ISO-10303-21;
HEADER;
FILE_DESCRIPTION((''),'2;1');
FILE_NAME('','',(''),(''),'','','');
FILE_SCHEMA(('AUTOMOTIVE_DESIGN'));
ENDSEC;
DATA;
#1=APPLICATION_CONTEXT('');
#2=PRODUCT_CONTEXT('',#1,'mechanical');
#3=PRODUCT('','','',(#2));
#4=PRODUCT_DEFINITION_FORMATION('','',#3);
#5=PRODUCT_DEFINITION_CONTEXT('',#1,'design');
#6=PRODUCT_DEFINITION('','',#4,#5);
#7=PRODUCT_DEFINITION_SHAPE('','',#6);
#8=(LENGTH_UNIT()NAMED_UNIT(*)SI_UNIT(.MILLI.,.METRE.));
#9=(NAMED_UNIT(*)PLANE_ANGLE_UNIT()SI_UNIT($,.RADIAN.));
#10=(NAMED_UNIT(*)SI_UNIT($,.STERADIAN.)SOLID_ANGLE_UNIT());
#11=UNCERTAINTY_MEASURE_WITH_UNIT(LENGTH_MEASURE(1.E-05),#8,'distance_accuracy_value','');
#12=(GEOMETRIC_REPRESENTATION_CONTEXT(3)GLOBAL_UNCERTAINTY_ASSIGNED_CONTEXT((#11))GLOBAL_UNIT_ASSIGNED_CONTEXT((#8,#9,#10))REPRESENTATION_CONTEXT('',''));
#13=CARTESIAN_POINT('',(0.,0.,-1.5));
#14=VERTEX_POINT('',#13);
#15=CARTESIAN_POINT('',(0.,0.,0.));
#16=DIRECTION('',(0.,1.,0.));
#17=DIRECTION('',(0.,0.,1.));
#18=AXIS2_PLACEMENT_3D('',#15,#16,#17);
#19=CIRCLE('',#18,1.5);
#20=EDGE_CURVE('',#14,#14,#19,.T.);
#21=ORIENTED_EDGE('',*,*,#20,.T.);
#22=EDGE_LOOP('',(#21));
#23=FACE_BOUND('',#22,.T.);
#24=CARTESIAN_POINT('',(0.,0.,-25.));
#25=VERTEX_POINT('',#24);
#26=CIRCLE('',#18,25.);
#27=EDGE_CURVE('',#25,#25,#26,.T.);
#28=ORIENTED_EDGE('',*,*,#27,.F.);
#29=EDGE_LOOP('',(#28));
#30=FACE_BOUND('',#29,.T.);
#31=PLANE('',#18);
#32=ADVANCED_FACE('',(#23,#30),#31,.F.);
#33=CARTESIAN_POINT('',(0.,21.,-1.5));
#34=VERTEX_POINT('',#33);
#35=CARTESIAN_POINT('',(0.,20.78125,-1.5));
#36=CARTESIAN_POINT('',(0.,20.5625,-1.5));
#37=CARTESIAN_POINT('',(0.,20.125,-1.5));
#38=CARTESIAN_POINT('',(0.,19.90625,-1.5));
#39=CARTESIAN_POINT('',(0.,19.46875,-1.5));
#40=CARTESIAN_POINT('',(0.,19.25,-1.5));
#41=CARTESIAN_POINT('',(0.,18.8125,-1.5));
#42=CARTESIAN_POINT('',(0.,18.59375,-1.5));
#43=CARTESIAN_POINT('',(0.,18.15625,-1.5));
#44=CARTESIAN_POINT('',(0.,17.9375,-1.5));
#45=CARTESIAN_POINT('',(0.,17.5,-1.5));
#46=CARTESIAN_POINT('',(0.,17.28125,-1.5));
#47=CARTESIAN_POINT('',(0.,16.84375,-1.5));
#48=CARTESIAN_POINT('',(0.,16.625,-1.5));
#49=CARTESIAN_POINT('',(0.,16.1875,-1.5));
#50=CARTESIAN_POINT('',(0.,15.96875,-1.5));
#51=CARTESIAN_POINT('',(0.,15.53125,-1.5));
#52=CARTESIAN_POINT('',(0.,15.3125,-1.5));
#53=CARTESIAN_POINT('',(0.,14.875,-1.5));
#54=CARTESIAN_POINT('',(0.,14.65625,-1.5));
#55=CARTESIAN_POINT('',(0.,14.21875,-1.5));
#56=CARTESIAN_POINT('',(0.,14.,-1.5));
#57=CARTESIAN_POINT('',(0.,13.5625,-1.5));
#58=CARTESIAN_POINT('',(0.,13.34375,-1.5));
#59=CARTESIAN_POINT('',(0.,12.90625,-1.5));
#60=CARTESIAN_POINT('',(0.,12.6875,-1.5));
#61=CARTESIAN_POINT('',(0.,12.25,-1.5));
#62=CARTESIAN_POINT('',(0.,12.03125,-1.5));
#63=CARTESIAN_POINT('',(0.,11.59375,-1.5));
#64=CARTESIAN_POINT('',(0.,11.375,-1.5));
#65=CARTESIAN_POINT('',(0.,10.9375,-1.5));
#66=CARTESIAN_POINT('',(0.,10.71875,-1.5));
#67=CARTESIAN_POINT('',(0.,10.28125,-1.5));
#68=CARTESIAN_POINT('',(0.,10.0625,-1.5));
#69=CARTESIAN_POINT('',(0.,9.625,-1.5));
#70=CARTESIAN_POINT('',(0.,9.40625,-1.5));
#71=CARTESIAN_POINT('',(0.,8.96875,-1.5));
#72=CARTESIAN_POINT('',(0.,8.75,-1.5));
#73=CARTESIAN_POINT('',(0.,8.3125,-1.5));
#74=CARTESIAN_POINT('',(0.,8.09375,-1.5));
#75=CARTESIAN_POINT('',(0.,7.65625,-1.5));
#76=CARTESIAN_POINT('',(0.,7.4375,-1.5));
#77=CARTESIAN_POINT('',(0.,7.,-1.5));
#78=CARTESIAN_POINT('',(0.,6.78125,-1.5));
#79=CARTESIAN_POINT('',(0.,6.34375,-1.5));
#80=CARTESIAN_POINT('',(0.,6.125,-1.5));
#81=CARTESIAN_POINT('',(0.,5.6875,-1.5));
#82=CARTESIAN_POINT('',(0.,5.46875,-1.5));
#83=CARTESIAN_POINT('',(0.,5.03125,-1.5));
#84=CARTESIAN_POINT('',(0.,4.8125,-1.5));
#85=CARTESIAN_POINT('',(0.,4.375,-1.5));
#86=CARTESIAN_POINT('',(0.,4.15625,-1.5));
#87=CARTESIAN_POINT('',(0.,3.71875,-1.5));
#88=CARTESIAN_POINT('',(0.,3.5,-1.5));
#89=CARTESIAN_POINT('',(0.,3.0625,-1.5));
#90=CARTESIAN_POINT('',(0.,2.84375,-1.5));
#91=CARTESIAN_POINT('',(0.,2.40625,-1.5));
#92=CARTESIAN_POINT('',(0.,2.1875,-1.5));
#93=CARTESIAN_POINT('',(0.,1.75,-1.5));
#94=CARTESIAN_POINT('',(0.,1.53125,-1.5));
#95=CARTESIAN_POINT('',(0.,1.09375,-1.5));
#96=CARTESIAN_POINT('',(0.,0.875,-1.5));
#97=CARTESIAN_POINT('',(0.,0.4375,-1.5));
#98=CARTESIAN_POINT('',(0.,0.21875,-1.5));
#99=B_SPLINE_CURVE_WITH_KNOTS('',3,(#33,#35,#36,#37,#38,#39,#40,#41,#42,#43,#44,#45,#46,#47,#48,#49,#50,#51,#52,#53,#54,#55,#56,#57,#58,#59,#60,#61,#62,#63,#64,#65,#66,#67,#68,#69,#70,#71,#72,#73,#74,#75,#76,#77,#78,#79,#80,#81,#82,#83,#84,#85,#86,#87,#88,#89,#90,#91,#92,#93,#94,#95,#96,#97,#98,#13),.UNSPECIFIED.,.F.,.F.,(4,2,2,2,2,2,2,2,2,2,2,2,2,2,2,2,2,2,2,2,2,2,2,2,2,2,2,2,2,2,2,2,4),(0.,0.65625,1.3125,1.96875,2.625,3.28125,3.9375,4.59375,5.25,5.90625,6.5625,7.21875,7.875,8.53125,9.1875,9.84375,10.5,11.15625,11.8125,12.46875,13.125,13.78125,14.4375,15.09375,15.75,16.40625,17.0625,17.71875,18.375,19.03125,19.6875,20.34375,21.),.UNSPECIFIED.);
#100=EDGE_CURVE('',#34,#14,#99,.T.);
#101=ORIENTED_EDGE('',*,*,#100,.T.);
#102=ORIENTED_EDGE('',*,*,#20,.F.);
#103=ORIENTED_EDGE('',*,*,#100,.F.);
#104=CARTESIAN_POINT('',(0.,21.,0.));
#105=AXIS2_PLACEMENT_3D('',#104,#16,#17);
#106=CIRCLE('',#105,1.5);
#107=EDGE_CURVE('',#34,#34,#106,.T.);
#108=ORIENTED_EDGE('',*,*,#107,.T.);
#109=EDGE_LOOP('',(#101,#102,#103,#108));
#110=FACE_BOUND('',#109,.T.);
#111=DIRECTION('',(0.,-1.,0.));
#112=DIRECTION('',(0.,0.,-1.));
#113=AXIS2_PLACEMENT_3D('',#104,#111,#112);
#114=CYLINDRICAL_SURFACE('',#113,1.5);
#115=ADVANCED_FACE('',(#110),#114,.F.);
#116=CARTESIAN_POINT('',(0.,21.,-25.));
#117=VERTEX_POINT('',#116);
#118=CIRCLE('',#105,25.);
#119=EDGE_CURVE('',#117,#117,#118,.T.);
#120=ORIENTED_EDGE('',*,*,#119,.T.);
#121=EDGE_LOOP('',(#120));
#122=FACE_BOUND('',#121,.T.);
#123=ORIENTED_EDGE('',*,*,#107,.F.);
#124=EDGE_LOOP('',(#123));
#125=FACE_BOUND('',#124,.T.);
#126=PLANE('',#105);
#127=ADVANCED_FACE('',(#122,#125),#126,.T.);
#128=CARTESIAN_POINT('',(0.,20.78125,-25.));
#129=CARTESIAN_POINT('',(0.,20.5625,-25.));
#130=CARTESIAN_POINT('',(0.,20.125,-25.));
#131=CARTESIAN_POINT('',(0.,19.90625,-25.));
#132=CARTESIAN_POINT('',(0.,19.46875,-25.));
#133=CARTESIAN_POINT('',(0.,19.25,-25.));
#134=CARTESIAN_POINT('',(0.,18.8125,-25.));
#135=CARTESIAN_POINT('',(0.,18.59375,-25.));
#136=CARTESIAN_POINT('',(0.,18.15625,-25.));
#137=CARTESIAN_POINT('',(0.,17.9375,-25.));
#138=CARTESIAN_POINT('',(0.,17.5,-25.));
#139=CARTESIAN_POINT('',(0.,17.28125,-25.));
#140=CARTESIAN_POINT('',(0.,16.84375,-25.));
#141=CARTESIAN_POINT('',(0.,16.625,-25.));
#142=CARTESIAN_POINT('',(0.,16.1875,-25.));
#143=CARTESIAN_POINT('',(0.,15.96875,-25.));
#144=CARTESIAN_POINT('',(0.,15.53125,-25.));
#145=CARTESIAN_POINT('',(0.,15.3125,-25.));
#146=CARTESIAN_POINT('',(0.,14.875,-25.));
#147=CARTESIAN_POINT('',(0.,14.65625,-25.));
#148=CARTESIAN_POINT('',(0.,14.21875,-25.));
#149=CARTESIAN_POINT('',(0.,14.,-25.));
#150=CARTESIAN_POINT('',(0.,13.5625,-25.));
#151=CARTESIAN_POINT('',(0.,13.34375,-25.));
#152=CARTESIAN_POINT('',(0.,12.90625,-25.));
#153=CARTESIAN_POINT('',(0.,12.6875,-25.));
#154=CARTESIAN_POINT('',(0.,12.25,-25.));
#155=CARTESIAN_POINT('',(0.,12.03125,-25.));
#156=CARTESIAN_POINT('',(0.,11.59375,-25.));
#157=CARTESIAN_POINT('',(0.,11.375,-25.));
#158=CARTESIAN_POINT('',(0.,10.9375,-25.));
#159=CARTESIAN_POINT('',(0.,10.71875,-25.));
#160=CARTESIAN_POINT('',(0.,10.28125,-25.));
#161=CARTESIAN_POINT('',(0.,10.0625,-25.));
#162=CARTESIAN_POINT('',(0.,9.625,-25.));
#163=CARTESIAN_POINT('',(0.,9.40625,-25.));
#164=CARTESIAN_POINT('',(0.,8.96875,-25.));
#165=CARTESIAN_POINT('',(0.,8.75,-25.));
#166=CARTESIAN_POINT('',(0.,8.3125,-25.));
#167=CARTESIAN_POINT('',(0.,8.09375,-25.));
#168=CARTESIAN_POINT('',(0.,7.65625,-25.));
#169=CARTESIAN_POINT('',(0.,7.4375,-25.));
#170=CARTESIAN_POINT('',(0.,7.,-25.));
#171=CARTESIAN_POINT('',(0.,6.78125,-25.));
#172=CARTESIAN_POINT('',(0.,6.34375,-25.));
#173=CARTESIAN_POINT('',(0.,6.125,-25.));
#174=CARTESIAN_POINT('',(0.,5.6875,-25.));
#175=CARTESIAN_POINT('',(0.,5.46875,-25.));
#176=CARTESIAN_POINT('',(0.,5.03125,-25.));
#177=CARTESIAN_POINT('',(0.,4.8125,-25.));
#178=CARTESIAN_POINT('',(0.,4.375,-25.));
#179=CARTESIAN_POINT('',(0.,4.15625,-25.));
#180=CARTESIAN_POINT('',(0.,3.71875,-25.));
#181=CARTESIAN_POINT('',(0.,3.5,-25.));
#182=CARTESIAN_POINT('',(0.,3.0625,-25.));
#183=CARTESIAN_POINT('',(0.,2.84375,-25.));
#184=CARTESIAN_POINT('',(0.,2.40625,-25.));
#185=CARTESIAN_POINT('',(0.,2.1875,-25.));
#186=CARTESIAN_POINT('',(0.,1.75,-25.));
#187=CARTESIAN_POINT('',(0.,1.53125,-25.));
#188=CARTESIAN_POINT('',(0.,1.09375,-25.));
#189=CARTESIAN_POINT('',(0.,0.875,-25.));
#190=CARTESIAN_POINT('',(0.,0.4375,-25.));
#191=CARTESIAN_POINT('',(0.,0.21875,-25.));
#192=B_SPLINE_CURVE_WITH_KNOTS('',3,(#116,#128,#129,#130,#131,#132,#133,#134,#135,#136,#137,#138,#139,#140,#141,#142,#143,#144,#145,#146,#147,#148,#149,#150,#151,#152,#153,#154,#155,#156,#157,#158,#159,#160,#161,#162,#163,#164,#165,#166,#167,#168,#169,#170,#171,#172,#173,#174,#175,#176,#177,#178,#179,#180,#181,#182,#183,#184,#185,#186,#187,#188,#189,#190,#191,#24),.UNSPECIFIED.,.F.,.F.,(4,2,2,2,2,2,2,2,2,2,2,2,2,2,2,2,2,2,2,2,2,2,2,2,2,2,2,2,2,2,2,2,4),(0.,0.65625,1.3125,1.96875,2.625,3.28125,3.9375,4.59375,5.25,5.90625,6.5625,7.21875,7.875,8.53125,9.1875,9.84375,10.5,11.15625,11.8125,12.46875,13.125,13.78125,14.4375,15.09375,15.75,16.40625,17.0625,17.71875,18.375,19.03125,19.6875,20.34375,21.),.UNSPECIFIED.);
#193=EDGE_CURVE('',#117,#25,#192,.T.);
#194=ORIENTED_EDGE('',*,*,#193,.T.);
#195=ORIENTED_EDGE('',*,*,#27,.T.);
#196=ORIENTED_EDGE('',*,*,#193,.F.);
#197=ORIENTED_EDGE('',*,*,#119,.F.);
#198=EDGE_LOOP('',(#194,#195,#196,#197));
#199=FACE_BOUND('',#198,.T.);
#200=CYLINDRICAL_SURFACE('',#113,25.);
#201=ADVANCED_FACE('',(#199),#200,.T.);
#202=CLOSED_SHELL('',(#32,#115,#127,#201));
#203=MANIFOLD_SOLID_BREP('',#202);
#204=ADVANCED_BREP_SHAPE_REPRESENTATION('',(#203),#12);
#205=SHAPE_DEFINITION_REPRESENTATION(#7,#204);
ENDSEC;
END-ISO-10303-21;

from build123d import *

# Parameters (mm, degrees)
ESQUISSE1_R      = 25
ESQUISSE1_R_2    = 1.5
EXTRUSION1_DEPTH = 21


with BuildPart() as part:
    # Esquisse1 → Extrusion1 (new body)
    with BuildSketch(Plane(origin=(0, 0, 0), x_dir=(1, 0, 0), z_dir=(0, 1, 0))):
        with Locations(Location((0, 0, 0), (0, 0, 90))):
            Circle(ESQUISSE1_R)
        with Locations(Location((0, 0, 0), (0, 0, 90))):
            Circle(ESQUISSE1_R_2, mode=Mode.SUBTRACT)
    extrude(amount=EXTRUSION1_DEPTH)


solid = part.part
